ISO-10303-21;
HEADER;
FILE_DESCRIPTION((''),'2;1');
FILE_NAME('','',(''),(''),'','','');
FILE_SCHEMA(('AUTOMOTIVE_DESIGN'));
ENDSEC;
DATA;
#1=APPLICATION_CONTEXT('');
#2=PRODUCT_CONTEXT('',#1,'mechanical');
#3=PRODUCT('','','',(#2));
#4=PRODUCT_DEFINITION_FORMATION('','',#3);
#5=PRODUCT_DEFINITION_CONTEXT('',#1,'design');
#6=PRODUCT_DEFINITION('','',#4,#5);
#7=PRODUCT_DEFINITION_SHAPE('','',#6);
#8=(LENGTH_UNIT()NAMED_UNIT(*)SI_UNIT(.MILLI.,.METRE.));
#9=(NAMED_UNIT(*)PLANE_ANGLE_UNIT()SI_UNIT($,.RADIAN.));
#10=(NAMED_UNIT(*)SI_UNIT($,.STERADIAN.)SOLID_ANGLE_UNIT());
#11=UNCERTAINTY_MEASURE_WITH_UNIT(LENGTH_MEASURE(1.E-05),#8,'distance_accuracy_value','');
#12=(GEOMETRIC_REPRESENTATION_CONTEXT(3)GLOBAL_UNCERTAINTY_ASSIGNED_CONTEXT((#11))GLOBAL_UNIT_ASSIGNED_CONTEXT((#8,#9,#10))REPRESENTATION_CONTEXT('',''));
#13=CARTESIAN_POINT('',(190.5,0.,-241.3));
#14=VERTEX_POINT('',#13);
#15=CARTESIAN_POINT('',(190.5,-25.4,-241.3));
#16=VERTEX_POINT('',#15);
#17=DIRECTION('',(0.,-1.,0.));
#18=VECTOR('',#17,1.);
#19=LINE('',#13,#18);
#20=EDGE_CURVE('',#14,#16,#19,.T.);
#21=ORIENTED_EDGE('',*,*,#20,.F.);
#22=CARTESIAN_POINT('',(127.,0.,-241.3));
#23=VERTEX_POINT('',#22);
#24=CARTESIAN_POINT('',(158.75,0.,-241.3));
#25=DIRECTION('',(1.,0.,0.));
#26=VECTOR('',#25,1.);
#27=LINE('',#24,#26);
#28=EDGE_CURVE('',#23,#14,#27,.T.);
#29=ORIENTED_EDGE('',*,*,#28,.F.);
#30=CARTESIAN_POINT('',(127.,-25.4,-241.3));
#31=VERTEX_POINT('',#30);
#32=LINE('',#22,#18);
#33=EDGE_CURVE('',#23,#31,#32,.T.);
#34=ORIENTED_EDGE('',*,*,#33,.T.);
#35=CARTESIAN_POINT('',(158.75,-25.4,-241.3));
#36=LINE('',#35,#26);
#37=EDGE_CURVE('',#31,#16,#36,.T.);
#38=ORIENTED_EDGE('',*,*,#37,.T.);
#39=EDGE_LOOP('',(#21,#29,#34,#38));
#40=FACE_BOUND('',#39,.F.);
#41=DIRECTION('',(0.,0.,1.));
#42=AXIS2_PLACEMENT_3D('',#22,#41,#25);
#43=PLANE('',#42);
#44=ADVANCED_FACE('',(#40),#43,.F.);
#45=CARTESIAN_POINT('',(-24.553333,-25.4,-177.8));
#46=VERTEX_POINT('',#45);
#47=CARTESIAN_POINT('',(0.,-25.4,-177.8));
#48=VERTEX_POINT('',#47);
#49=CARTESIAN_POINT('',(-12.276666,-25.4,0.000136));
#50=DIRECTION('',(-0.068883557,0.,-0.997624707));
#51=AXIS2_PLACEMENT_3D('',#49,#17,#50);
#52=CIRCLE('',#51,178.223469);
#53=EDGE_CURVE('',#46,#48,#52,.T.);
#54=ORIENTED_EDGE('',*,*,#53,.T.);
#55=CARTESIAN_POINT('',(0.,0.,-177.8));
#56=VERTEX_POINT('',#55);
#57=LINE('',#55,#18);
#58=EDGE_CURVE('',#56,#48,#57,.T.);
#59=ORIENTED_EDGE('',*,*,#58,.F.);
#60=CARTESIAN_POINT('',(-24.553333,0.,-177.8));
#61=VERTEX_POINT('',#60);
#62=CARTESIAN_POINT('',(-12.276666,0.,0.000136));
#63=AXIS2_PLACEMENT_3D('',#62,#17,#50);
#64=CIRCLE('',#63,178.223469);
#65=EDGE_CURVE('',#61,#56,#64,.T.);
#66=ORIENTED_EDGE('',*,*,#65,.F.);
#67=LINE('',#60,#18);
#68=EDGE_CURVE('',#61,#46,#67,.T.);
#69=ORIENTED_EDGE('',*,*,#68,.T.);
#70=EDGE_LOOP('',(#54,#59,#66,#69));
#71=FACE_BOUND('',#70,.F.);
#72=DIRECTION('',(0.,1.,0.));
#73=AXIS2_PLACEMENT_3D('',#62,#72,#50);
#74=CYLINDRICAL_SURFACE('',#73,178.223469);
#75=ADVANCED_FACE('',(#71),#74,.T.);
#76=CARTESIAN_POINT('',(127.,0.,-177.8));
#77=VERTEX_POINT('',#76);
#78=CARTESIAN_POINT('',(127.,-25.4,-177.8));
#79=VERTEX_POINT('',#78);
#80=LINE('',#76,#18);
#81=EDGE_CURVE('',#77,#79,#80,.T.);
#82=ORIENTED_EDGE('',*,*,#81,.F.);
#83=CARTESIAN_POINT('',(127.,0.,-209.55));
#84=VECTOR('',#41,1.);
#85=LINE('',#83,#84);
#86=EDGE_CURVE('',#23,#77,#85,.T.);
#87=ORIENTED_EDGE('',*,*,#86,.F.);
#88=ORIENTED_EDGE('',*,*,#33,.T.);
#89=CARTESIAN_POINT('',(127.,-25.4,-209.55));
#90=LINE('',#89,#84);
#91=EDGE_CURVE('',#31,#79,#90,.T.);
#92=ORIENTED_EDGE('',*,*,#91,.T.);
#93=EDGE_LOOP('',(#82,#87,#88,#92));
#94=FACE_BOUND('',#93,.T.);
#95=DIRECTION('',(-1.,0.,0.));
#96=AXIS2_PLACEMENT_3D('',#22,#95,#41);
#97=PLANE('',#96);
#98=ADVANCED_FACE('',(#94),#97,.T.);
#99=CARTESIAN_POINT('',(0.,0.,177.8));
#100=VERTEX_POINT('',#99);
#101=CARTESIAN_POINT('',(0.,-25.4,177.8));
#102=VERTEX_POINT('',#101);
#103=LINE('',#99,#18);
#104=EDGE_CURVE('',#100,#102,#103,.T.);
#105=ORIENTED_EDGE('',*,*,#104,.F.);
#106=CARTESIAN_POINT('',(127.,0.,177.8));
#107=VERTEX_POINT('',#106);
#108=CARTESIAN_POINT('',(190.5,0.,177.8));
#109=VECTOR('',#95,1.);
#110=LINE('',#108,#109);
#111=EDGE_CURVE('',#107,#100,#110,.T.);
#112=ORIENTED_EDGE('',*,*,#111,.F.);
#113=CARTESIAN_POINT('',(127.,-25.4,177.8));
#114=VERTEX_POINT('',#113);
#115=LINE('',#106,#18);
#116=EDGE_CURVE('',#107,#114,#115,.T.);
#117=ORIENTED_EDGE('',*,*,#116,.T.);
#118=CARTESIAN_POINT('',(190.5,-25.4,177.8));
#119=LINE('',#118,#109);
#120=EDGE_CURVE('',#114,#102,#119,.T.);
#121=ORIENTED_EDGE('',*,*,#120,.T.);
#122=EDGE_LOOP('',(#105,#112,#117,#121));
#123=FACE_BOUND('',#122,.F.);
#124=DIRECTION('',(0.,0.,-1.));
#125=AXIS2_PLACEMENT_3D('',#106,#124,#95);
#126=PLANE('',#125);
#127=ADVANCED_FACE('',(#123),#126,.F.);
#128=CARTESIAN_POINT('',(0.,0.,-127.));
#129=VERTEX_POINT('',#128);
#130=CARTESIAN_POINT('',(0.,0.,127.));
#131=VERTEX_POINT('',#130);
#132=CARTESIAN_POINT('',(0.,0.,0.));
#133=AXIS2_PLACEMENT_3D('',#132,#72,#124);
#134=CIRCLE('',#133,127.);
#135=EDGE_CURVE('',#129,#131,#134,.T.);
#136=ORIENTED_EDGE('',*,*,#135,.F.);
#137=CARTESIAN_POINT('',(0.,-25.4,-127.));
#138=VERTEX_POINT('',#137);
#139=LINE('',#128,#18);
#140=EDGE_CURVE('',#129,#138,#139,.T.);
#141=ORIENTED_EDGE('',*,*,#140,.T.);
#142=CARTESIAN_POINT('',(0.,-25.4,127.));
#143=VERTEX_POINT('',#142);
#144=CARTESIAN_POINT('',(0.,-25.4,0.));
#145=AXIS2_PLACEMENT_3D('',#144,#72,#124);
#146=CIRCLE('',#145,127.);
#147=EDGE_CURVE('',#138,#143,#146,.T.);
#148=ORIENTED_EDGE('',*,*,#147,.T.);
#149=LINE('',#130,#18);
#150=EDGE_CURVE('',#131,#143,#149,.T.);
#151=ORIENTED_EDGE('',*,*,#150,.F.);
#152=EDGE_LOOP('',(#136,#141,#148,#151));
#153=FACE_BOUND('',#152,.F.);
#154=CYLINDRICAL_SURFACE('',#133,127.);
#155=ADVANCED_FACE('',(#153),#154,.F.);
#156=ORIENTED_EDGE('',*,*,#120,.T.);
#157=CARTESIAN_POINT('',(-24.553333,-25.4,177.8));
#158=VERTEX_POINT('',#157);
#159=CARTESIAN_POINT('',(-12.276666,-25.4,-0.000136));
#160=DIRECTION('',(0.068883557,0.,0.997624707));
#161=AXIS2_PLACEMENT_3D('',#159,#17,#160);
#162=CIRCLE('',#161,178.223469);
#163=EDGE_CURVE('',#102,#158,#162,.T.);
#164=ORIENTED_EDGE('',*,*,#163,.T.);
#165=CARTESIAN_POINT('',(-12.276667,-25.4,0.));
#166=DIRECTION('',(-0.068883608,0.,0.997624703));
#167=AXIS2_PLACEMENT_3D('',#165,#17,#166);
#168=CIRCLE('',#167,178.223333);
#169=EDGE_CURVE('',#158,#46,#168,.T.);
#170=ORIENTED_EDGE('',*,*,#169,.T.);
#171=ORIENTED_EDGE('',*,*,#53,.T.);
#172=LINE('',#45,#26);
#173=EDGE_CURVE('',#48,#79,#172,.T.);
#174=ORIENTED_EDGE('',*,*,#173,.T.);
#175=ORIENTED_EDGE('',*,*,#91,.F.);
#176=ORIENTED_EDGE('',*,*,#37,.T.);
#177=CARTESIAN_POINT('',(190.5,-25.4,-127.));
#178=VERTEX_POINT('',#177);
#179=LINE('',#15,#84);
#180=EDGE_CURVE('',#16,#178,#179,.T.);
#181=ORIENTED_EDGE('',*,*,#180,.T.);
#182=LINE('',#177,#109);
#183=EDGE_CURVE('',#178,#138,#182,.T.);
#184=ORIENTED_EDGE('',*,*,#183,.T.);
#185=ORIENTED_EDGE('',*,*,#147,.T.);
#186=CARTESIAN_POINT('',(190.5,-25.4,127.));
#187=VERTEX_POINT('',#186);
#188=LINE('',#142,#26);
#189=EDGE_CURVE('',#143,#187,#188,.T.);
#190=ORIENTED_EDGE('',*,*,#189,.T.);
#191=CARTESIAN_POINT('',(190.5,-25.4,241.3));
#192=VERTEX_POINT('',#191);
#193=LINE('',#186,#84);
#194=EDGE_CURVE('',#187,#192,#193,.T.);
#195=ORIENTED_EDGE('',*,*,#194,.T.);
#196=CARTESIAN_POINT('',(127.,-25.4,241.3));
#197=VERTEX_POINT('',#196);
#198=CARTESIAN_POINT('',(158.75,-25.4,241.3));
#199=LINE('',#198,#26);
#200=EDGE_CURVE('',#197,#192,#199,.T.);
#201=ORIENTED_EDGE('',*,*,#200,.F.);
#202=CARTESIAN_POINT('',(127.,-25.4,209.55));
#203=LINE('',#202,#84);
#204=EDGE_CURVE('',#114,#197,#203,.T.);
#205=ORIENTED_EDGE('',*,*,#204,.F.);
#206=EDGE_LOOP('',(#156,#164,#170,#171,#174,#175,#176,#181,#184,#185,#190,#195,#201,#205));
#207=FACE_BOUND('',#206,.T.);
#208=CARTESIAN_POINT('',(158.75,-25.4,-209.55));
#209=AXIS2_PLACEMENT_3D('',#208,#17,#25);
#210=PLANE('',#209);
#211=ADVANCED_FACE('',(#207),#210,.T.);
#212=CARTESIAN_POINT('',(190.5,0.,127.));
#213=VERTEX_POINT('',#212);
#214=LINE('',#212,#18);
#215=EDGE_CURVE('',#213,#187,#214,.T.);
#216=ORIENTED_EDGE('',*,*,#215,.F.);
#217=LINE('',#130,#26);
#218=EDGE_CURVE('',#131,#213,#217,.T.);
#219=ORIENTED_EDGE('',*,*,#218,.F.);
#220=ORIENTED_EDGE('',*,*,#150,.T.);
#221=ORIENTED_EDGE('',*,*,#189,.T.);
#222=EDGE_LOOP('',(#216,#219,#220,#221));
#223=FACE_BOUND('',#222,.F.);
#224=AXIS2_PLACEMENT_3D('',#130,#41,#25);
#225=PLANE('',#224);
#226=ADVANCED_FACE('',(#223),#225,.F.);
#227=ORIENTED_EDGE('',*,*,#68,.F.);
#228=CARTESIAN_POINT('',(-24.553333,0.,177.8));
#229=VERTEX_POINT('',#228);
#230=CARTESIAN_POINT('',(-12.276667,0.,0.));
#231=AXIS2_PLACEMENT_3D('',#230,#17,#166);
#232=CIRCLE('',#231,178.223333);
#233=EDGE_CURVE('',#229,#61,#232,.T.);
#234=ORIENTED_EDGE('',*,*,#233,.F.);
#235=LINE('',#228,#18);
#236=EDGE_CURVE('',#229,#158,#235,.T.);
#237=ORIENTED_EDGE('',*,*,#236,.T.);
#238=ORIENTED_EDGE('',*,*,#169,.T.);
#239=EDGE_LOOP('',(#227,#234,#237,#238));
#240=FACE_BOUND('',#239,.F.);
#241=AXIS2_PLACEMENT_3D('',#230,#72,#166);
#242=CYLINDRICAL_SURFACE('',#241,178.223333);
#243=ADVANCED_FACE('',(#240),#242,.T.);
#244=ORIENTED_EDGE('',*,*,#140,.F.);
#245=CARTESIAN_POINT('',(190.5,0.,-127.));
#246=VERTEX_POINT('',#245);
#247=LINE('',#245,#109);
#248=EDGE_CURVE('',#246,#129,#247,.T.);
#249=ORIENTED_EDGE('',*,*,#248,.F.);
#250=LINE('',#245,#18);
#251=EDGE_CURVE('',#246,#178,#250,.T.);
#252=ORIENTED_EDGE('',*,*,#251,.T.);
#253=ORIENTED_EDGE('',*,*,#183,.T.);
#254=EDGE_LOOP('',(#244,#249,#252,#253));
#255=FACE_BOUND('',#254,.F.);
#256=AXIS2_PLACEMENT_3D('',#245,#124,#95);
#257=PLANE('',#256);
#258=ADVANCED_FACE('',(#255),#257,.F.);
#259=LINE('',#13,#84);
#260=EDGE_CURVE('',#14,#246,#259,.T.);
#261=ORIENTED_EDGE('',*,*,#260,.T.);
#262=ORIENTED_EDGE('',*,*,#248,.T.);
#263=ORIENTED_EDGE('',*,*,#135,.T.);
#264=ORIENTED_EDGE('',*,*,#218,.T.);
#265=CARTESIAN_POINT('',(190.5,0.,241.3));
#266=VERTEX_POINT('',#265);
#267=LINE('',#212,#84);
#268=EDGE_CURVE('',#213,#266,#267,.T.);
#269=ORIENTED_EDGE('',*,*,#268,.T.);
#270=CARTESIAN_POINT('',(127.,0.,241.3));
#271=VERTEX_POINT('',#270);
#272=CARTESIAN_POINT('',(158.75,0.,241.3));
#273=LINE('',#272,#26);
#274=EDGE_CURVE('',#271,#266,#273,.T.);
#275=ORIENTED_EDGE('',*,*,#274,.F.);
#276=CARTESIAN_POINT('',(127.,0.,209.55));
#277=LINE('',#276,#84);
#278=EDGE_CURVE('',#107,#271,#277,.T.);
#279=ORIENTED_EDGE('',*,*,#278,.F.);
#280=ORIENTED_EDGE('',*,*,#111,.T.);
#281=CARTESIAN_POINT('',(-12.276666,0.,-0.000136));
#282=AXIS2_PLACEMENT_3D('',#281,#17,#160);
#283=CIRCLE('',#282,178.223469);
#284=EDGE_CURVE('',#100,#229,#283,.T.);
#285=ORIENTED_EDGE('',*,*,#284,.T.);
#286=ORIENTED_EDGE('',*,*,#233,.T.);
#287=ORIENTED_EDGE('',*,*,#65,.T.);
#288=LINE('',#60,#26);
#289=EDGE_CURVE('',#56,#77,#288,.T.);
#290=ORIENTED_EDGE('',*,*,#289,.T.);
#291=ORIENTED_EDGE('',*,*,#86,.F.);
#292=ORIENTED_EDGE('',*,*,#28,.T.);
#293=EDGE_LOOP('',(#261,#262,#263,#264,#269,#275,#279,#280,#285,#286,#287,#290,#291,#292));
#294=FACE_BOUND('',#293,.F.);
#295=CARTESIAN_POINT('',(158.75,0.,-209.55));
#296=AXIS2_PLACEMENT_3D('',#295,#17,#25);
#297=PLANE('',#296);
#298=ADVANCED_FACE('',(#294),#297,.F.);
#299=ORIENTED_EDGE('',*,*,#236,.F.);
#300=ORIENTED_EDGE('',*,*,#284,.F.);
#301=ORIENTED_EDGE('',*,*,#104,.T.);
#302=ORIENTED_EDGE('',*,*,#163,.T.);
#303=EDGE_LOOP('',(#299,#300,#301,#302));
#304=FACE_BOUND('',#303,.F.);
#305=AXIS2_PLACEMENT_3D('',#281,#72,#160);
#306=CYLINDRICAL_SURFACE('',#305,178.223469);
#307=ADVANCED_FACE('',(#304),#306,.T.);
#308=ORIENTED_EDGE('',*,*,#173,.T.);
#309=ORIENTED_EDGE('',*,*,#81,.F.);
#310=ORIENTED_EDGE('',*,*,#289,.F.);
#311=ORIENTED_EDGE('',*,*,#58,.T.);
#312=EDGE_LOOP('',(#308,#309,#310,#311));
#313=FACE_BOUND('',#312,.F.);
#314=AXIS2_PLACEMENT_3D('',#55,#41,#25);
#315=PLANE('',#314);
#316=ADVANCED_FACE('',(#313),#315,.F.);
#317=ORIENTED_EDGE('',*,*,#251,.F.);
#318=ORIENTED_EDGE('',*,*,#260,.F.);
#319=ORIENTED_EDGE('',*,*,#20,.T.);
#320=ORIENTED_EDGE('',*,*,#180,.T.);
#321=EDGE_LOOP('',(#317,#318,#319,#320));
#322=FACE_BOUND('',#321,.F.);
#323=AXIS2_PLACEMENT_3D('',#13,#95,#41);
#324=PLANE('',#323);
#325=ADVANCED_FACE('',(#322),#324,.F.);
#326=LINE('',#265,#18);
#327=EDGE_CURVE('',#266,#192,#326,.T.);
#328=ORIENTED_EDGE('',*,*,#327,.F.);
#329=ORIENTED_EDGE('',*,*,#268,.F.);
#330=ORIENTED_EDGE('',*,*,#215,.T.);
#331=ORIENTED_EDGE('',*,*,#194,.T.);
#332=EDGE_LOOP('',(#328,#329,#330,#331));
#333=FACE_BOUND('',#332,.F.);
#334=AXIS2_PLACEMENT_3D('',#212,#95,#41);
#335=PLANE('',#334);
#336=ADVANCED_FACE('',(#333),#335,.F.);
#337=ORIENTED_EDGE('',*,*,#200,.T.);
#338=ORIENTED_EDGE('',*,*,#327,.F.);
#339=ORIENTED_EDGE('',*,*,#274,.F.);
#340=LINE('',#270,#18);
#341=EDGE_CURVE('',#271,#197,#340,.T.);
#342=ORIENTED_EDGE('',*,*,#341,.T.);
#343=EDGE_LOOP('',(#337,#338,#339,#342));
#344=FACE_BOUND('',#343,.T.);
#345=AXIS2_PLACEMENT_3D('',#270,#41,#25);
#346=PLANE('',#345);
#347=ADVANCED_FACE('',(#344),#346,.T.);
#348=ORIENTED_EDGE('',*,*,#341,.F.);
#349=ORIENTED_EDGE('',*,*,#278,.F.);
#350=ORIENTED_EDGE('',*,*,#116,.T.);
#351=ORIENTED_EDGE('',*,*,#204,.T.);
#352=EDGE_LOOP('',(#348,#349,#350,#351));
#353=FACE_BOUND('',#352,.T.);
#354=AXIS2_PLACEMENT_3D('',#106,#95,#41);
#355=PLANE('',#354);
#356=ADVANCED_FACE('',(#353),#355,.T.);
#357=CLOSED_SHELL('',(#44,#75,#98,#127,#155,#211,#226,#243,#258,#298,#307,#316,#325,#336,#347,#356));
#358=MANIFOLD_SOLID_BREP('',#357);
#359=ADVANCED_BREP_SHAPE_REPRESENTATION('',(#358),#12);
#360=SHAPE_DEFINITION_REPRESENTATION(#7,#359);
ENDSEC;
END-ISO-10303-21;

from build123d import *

# Parameters (mm, degrees)
F0_W     = 63.5
F0_H     = 63.5
F1_DEPTH = 25.4


with BuildPart() as f1:
    # F0 (on Front) → F1 (new body)
    with BuildSketch(Plane.XZ):
        with Locations((158.75, -209.55)):
            Rectangle(F0_W, F0_H)
        with BuildLine():
            Line((127, -177.8), (190.5, -177.8))
            Line((190.5, -177.8), (190.5, -127))
            Line((190.5, -127), (0, -127))
            ThreePointArc((0, -127), (-127, 0), (0, 127))
            Line((0, 127), (63.5, 127))
            Line((63.5, 127), (190.5, 127))
            Line((190.5, 127), (190.5, 177.8))
            Line((190.5, 177.8), (127, 177.8))
            Line((127, 177.8), (0, 177.8))
            Line((0, 177.8), (-24.553333, 177.8))
            ThreePointArc((-24.553333, 177.8), (-190.5, 0), (-24.553333, -177.8))
            Line((-24.553333, -177.8), (0, -177.8))
            Line((0, -177.8), (127, -177.8))
        make_face()
        with BuildLine():
            ThreePointArc((-24.553333, -177.8), (-12.276667, -178.223333), (0, -177.8))
            Line((0, -177.8), (-24.553333, -177.8))
        make_face()
        with BuildLine():
            ThreePointArc((0, 177.8), (-12.276667, 178.223333), (-24.553333, 177.8))
            Line((-24.553333, 177.8), (0, 177.8))
        make_face()
        with Locations((158.75, 209.55)):
            Rectangle(F0_W, F0_H)
    extrude(amount=F1_DEPTH)


solid = f1.part
